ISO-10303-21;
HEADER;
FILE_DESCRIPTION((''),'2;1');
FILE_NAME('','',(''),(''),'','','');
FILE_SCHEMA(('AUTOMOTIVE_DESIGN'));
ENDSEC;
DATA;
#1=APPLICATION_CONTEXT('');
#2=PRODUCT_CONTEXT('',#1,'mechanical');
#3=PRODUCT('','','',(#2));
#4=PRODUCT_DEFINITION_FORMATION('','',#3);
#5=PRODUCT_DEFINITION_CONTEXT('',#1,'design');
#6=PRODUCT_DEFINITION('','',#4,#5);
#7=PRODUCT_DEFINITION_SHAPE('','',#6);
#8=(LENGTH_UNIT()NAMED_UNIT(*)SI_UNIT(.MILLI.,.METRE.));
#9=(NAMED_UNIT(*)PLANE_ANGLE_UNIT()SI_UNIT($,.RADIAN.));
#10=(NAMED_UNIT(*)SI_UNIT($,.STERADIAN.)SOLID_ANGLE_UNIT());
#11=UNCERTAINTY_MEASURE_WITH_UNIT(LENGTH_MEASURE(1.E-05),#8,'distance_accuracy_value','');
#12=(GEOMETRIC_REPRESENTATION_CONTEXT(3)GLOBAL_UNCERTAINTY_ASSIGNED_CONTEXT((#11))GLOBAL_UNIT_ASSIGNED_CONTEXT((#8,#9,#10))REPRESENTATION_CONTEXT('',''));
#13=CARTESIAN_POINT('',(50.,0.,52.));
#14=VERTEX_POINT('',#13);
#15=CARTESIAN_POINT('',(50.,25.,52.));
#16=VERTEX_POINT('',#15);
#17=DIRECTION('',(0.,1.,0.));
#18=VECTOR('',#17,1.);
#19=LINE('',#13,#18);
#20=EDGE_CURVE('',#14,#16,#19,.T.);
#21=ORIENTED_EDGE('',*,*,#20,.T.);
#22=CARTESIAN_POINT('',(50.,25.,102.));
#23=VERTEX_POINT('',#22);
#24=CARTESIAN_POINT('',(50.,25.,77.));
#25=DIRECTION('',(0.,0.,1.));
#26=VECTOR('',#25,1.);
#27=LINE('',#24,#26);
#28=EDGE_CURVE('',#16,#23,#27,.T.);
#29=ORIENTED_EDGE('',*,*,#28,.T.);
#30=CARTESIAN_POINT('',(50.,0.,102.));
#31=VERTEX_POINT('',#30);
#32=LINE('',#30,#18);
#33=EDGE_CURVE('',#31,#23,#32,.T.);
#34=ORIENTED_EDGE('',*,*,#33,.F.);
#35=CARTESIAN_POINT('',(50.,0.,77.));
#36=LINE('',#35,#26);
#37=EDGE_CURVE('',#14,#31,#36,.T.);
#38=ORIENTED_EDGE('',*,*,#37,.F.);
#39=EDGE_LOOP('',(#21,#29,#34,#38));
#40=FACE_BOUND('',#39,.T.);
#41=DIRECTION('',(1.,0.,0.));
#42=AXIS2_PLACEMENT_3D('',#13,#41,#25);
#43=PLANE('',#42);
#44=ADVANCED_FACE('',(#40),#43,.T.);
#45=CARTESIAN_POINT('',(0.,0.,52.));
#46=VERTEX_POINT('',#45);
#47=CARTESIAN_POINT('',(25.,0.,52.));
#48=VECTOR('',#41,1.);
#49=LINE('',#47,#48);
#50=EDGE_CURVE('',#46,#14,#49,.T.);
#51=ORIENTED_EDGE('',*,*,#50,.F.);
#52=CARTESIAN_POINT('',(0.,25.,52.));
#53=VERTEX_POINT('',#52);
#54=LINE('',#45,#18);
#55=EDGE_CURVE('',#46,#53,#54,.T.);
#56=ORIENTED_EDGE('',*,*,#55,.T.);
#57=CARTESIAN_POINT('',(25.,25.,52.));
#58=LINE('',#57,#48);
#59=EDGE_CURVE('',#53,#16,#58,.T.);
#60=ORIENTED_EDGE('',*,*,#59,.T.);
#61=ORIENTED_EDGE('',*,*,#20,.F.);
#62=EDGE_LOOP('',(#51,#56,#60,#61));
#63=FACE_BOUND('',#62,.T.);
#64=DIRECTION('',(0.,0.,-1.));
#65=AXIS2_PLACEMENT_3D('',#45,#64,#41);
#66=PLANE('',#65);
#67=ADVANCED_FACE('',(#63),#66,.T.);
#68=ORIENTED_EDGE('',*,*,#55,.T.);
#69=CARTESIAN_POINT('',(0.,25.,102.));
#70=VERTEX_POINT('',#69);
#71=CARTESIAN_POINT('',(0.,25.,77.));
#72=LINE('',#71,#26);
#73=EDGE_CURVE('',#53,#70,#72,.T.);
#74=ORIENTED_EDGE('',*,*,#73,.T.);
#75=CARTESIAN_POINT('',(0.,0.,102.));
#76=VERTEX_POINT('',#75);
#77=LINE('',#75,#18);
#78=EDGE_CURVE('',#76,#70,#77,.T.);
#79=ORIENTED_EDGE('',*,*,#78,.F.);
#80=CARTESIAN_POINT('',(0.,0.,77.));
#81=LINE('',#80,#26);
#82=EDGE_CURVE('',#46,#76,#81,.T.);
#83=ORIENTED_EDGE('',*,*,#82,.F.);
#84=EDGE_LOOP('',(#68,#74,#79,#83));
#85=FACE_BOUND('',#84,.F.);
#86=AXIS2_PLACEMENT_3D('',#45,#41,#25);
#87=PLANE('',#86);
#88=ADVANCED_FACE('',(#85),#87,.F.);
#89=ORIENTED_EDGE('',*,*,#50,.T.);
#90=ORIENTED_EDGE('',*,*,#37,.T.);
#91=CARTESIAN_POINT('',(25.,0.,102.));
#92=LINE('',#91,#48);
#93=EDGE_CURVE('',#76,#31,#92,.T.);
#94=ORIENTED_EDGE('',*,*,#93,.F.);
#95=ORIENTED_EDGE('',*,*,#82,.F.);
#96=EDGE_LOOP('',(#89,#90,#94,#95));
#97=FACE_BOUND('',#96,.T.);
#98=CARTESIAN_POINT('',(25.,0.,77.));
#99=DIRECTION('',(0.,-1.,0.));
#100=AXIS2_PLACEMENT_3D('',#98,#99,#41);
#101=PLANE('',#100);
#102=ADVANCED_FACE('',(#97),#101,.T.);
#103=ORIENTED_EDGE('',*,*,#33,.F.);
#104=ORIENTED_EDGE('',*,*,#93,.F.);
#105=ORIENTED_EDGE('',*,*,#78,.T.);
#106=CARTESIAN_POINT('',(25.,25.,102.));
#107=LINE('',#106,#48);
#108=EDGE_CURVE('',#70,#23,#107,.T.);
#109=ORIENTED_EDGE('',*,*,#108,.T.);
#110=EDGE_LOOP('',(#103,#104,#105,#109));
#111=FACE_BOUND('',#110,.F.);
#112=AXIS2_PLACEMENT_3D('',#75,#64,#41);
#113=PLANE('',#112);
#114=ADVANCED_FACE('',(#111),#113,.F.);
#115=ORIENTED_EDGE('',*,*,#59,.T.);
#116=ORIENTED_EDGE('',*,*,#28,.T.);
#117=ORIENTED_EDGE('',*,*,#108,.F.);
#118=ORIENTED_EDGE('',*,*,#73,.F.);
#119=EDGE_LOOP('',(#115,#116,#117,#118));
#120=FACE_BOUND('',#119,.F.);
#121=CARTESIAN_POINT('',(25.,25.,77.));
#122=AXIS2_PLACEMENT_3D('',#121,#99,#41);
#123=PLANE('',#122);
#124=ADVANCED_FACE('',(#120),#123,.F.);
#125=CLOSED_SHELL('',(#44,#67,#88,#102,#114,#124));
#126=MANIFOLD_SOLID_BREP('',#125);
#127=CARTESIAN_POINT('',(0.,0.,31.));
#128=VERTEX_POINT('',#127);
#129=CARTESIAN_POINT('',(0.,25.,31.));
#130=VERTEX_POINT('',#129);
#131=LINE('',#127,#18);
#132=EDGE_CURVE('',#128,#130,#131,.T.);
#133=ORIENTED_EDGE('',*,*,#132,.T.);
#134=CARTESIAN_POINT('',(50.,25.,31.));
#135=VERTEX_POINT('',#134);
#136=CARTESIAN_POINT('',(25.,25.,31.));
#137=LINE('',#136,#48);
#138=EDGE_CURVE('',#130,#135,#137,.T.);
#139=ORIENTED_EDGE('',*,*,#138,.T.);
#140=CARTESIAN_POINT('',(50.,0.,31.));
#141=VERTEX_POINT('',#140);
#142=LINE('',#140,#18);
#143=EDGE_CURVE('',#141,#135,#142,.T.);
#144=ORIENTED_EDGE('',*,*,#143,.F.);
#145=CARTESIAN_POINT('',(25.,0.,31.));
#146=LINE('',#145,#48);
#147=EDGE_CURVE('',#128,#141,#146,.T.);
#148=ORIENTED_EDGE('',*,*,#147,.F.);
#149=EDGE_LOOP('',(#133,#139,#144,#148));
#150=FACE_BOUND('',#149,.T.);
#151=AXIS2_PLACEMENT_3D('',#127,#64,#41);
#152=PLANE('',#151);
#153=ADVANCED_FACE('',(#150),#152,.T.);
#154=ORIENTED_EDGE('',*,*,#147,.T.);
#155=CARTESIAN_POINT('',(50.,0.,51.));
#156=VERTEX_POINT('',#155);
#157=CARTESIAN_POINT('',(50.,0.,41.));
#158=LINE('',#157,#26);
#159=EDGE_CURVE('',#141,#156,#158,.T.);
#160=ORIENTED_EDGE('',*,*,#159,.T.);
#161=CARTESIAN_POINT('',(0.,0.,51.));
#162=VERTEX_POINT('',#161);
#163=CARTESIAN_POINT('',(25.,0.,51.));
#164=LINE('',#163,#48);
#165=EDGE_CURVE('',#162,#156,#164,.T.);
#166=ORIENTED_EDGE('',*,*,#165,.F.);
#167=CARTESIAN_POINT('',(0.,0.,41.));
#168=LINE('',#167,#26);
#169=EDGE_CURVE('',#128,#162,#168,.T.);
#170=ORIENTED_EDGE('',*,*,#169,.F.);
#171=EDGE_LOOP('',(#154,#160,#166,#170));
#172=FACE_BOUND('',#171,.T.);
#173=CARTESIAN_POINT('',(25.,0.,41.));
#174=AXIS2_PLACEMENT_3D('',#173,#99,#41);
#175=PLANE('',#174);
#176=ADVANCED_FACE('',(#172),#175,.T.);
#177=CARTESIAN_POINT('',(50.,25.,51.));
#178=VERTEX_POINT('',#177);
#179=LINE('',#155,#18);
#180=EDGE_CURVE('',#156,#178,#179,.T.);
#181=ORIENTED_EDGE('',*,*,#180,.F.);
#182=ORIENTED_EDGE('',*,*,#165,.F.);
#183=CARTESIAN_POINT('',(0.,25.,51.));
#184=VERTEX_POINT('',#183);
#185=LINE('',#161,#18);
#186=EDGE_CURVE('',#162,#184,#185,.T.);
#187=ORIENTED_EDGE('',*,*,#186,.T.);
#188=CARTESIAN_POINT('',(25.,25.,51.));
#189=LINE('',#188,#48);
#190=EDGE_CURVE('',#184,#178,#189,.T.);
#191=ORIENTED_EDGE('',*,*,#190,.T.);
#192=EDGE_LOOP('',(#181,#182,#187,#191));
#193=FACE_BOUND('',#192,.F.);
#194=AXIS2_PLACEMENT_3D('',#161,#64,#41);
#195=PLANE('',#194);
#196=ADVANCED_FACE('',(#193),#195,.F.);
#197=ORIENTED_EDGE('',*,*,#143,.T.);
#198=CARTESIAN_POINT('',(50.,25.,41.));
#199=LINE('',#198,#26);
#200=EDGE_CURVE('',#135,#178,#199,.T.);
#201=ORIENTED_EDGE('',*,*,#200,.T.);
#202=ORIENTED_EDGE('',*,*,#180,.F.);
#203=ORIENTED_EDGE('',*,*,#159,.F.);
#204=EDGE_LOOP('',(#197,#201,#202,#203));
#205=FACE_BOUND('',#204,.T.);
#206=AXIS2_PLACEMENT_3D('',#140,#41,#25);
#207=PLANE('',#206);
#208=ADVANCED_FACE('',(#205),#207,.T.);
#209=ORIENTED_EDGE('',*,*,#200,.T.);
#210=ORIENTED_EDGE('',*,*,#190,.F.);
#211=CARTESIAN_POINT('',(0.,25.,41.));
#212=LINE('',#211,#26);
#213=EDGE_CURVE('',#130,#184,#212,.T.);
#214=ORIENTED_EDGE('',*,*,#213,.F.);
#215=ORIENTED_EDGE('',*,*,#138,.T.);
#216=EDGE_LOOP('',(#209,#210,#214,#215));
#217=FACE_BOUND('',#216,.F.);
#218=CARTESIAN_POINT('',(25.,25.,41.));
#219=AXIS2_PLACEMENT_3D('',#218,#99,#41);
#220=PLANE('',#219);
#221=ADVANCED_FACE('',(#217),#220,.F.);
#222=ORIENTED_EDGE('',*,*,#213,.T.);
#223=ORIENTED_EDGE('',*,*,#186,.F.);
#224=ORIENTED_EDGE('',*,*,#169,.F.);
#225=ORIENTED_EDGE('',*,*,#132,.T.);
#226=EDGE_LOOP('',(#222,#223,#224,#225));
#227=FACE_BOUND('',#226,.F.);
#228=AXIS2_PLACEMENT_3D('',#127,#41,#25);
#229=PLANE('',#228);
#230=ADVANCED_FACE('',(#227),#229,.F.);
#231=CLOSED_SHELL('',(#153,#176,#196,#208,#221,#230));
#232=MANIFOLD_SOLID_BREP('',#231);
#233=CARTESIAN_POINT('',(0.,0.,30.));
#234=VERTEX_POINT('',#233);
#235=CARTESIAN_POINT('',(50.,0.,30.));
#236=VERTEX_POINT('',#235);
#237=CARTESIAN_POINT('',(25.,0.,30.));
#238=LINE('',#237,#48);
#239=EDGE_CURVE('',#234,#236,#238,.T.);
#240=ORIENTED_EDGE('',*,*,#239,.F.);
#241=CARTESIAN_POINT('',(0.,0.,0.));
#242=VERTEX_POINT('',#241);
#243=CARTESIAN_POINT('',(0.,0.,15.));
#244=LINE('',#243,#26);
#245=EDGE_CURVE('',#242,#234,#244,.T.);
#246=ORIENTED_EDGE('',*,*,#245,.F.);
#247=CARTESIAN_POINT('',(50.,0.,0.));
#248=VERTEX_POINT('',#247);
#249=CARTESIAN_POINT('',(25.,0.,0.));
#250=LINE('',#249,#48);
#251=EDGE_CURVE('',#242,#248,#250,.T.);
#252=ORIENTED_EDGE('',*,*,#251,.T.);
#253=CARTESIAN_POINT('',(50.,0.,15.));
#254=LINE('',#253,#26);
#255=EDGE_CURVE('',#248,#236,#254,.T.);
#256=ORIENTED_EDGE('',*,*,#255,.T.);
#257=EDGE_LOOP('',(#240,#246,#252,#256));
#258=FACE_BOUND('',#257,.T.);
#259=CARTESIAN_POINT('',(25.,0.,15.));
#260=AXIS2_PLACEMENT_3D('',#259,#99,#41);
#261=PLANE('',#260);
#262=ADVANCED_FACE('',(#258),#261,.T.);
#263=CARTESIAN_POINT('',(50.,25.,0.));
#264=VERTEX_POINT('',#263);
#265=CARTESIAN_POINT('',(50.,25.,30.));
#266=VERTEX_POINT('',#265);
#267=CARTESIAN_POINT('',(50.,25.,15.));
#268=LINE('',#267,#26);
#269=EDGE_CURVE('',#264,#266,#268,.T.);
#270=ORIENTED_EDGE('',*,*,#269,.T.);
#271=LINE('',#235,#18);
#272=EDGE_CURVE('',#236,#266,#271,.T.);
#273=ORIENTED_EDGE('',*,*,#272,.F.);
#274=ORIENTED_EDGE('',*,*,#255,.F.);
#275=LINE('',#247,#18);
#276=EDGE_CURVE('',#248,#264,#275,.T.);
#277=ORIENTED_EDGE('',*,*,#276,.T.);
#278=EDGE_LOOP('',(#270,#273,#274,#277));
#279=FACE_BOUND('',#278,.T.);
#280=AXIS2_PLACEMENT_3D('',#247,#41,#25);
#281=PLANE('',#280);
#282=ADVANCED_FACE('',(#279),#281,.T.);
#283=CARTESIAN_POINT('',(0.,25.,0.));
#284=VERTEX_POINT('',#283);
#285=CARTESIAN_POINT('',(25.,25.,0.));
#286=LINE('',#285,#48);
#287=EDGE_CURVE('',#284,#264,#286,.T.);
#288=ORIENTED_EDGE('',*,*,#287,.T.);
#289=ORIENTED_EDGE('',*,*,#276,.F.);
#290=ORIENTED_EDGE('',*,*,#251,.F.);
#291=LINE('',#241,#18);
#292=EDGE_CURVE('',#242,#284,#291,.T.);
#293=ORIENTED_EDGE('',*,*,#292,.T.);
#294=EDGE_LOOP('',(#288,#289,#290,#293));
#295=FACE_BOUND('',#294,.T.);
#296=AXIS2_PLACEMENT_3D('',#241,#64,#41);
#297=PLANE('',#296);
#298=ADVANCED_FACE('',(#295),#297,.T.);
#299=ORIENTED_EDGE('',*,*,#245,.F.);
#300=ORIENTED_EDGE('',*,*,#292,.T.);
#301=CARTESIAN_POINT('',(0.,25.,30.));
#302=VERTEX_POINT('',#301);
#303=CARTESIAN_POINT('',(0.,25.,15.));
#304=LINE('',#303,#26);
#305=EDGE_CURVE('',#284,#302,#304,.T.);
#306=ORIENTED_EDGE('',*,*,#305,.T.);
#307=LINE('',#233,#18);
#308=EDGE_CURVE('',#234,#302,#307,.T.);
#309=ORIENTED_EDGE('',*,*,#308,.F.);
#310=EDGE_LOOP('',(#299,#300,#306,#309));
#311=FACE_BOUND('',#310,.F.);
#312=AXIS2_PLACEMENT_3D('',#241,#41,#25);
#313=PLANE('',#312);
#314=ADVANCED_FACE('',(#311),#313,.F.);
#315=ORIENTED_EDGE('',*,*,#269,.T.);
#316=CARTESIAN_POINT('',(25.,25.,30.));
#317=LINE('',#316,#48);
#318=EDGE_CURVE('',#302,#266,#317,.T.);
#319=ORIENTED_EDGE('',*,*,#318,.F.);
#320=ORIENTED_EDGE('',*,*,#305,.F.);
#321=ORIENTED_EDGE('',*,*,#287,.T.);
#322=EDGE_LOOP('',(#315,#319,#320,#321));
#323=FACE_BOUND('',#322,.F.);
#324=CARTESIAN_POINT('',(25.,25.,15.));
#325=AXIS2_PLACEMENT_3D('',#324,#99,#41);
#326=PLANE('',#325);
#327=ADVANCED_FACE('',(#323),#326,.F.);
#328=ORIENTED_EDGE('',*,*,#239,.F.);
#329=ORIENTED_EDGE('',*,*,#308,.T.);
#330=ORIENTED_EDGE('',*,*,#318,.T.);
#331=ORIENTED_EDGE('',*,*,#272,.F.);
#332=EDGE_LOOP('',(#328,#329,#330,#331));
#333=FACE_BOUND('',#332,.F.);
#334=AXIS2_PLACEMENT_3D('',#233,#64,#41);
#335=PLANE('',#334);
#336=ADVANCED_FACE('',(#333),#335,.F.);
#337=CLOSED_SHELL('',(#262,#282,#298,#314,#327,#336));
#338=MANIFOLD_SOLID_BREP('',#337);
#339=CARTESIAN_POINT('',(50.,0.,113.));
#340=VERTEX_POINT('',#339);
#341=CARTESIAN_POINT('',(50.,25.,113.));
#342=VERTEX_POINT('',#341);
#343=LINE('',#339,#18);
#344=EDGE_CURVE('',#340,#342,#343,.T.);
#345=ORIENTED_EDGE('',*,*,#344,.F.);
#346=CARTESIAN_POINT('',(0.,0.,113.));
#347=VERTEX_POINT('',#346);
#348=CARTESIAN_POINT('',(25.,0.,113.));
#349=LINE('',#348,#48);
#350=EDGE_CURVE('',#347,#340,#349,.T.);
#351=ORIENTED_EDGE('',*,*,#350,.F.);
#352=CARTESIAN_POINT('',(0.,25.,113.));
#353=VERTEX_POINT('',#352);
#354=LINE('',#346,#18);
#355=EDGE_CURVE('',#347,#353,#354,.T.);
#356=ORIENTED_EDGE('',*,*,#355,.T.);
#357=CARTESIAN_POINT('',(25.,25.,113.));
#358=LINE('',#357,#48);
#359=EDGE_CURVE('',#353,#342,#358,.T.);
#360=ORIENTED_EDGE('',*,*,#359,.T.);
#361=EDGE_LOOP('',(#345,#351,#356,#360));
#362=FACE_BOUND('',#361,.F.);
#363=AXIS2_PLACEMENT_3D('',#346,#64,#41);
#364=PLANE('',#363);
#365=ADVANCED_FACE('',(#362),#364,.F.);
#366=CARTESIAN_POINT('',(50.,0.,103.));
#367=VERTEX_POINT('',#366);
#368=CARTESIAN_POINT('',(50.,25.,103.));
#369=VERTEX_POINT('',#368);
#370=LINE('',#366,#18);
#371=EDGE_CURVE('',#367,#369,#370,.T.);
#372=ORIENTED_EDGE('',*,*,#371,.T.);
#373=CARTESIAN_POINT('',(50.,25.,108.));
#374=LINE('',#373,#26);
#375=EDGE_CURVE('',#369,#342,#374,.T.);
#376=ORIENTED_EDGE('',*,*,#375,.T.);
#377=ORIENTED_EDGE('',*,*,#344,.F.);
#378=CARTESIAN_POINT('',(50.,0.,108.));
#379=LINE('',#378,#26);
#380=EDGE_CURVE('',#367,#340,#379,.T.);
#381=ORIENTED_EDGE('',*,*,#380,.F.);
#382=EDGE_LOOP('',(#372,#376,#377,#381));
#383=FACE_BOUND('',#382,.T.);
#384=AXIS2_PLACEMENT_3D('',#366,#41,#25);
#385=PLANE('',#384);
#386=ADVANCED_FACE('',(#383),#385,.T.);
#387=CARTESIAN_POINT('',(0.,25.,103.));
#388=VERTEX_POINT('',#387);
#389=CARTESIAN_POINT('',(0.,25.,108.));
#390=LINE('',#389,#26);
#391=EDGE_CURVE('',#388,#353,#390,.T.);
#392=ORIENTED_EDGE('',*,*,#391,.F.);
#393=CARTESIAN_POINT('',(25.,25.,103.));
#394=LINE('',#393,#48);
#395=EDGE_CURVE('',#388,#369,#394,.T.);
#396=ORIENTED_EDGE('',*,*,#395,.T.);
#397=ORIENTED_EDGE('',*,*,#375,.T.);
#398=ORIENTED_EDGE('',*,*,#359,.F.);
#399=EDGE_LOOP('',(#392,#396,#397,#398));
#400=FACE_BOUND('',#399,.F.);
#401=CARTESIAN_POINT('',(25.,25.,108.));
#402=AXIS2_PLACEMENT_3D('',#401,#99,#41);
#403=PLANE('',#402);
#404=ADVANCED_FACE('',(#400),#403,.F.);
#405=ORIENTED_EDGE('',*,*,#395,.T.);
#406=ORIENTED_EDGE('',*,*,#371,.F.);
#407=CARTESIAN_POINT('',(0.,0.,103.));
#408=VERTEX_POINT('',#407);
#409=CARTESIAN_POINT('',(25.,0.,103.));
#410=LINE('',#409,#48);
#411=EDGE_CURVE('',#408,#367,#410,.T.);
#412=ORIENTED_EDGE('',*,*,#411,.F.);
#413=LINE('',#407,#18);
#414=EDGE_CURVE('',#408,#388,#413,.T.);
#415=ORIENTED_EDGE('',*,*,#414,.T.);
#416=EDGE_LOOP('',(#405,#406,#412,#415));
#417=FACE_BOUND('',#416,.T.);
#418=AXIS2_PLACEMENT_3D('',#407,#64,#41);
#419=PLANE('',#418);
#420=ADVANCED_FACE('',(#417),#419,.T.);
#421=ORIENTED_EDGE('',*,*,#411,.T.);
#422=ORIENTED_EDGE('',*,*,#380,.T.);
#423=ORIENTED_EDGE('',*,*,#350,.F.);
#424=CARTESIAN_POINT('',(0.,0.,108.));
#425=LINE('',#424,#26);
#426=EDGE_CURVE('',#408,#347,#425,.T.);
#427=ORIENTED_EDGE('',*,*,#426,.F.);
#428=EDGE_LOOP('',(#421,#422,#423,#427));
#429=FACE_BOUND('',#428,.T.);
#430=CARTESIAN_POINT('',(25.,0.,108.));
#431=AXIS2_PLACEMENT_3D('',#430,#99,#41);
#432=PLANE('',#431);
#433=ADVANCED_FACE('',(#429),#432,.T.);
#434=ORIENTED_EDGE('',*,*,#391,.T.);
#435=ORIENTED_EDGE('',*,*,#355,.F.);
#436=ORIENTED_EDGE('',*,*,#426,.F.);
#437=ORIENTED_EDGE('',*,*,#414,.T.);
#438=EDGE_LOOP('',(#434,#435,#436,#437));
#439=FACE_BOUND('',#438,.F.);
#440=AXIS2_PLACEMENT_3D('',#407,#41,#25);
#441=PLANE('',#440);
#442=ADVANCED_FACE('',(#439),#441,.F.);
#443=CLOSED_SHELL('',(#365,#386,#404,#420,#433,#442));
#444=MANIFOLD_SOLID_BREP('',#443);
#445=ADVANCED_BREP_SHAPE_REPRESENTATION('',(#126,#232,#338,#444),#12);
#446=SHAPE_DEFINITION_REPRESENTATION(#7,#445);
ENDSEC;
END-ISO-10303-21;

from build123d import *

# Parameters (mm, degrees)
F0_W     = 50
F0_H     = 30
F0_H_2   = 20
F0_H_3   = 50
F0_H_4   = 10
F1_DEPTH = 25


with BuildPart() as f1:
    # F0 (on Front) → F1 (new body)
    with BuildSketch(Plane.XZ):
        with Locations((25, 15)):
            Rectangle(F0_W, F0_H)
        with Locations((25, 41)):
            Rectangle(F0_W, F0_H_2)
        with Locations((25, 77)):
            Rectangle(F0_W, F0_H_3)
        with Locations((25, 108)):
            Rectangle(F0_W, F0_H_4)
    extrude(amount=-F1_DEPTH)


solid = f1.part
